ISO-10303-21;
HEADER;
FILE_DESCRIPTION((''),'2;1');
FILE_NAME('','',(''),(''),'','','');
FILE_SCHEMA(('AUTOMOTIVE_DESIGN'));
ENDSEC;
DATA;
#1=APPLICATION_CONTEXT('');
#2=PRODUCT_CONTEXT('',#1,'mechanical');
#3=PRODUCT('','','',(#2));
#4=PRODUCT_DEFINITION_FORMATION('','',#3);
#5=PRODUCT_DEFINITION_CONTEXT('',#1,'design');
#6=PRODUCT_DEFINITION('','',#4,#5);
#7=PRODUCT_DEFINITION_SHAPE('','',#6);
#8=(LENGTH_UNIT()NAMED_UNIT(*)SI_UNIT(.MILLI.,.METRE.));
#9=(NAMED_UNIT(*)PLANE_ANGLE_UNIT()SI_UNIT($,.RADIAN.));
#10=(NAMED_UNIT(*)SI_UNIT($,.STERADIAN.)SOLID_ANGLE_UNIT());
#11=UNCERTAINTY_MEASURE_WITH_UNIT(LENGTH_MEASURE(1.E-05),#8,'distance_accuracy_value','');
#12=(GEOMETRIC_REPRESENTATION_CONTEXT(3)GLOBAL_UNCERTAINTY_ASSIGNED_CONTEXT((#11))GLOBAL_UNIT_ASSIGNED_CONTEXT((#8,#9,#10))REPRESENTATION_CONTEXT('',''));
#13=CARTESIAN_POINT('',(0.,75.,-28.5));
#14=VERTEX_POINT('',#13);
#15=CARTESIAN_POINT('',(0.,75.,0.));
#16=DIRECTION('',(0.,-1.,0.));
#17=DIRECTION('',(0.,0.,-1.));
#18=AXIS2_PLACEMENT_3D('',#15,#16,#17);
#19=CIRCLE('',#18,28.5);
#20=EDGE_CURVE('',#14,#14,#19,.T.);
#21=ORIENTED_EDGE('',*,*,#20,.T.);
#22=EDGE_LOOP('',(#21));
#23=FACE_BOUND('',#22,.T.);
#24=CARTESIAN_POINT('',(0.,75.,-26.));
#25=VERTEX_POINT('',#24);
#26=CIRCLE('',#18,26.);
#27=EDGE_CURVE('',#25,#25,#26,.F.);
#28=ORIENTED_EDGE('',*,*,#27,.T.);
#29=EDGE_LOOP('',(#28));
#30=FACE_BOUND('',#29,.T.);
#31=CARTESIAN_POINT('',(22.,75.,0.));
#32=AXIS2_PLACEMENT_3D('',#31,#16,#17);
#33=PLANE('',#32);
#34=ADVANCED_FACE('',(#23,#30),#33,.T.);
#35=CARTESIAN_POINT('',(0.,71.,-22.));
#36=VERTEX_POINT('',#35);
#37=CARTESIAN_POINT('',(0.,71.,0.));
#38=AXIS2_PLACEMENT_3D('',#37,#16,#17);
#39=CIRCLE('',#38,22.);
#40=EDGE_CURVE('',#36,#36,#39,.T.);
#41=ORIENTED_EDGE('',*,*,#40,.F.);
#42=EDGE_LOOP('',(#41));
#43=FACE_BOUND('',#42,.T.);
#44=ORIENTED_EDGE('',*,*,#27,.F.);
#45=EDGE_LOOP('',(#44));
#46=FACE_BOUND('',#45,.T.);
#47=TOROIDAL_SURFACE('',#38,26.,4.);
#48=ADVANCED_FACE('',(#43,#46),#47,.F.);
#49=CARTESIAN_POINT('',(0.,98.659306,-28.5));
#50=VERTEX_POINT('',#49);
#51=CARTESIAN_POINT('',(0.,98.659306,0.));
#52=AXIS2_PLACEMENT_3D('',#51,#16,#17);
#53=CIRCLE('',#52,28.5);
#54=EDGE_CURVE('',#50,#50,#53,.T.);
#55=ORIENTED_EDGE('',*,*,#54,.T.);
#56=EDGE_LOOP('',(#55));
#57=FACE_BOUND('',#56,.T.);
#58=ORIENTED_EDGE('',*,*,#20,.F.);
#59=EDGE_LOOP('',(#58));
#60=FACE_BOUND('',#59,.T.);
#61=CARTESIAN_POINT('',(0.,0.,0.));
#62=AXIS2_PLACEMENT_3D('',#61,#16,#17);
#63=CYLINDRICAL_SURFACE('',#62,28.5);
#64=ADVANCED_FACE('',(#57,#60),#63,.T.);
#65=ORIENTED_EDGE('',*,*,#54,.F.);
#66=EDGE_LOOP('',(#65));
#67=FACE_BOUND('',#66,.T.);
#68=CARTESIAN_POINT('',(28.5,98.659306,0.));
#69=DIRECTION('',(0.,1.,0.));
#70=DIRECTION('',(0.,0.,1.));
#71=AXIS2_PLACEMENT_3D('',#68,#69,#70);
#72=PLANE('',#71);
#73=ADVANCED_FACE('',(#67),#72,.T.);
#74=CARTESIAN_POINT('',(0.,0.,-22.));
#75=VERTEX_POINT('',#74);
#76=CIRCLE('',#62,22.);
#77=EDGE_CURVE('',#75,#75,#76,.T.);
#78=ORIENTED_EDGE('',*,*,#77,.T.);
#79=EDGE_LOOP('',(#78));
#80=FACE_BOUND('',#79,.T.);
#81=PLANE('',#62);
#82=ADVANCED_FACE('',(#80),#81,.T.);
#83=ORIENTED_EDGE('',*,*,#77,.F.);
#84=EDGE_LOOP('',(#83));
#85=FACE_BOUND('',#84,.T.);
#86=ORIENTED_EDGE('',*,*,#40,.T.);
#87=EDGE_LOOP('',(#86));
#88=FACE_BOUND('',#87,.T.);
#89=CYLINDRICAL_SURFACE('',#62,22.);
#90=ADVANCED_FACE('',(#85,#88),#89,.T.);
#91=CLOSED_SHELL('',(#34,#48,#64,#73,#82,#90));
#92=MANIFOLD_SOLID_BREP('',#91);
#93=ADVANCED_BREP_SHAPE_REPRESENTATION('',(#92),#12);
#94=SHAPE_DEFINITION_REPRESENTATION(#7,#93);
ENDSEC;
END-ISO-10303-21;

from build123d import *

# Parameters (mm, degrees)
FILLET1_R = 4


with BuildPart() as part:
    # Sketch1 → Revolve1 (revolve)
    with BuildSketch(Plane.XY, mode=Mode.PRIVATE) as revolve1_sk:
        Polygon((0, 0), (22, 0), (22, 75), (28.5, 75), (28.5, 98.659305994), (0, 98.659305994), align=None)
    revolve(revolve1_sk.sketch.rotate(Axis((0, 0, 0), (0, 1, 0)), 90), axis=Axis((0, 0, 0), (0, 1, 0)))  # turned: the seam where the file's is

    # Fillet1
    fillet1_edges = [part.edges().sort_by_distance(p)[0] for p in [
        (0, 75, 22),
    ]]
    fillet(fillet1_edges, radius=FILLET1_R)


solid = part.part
